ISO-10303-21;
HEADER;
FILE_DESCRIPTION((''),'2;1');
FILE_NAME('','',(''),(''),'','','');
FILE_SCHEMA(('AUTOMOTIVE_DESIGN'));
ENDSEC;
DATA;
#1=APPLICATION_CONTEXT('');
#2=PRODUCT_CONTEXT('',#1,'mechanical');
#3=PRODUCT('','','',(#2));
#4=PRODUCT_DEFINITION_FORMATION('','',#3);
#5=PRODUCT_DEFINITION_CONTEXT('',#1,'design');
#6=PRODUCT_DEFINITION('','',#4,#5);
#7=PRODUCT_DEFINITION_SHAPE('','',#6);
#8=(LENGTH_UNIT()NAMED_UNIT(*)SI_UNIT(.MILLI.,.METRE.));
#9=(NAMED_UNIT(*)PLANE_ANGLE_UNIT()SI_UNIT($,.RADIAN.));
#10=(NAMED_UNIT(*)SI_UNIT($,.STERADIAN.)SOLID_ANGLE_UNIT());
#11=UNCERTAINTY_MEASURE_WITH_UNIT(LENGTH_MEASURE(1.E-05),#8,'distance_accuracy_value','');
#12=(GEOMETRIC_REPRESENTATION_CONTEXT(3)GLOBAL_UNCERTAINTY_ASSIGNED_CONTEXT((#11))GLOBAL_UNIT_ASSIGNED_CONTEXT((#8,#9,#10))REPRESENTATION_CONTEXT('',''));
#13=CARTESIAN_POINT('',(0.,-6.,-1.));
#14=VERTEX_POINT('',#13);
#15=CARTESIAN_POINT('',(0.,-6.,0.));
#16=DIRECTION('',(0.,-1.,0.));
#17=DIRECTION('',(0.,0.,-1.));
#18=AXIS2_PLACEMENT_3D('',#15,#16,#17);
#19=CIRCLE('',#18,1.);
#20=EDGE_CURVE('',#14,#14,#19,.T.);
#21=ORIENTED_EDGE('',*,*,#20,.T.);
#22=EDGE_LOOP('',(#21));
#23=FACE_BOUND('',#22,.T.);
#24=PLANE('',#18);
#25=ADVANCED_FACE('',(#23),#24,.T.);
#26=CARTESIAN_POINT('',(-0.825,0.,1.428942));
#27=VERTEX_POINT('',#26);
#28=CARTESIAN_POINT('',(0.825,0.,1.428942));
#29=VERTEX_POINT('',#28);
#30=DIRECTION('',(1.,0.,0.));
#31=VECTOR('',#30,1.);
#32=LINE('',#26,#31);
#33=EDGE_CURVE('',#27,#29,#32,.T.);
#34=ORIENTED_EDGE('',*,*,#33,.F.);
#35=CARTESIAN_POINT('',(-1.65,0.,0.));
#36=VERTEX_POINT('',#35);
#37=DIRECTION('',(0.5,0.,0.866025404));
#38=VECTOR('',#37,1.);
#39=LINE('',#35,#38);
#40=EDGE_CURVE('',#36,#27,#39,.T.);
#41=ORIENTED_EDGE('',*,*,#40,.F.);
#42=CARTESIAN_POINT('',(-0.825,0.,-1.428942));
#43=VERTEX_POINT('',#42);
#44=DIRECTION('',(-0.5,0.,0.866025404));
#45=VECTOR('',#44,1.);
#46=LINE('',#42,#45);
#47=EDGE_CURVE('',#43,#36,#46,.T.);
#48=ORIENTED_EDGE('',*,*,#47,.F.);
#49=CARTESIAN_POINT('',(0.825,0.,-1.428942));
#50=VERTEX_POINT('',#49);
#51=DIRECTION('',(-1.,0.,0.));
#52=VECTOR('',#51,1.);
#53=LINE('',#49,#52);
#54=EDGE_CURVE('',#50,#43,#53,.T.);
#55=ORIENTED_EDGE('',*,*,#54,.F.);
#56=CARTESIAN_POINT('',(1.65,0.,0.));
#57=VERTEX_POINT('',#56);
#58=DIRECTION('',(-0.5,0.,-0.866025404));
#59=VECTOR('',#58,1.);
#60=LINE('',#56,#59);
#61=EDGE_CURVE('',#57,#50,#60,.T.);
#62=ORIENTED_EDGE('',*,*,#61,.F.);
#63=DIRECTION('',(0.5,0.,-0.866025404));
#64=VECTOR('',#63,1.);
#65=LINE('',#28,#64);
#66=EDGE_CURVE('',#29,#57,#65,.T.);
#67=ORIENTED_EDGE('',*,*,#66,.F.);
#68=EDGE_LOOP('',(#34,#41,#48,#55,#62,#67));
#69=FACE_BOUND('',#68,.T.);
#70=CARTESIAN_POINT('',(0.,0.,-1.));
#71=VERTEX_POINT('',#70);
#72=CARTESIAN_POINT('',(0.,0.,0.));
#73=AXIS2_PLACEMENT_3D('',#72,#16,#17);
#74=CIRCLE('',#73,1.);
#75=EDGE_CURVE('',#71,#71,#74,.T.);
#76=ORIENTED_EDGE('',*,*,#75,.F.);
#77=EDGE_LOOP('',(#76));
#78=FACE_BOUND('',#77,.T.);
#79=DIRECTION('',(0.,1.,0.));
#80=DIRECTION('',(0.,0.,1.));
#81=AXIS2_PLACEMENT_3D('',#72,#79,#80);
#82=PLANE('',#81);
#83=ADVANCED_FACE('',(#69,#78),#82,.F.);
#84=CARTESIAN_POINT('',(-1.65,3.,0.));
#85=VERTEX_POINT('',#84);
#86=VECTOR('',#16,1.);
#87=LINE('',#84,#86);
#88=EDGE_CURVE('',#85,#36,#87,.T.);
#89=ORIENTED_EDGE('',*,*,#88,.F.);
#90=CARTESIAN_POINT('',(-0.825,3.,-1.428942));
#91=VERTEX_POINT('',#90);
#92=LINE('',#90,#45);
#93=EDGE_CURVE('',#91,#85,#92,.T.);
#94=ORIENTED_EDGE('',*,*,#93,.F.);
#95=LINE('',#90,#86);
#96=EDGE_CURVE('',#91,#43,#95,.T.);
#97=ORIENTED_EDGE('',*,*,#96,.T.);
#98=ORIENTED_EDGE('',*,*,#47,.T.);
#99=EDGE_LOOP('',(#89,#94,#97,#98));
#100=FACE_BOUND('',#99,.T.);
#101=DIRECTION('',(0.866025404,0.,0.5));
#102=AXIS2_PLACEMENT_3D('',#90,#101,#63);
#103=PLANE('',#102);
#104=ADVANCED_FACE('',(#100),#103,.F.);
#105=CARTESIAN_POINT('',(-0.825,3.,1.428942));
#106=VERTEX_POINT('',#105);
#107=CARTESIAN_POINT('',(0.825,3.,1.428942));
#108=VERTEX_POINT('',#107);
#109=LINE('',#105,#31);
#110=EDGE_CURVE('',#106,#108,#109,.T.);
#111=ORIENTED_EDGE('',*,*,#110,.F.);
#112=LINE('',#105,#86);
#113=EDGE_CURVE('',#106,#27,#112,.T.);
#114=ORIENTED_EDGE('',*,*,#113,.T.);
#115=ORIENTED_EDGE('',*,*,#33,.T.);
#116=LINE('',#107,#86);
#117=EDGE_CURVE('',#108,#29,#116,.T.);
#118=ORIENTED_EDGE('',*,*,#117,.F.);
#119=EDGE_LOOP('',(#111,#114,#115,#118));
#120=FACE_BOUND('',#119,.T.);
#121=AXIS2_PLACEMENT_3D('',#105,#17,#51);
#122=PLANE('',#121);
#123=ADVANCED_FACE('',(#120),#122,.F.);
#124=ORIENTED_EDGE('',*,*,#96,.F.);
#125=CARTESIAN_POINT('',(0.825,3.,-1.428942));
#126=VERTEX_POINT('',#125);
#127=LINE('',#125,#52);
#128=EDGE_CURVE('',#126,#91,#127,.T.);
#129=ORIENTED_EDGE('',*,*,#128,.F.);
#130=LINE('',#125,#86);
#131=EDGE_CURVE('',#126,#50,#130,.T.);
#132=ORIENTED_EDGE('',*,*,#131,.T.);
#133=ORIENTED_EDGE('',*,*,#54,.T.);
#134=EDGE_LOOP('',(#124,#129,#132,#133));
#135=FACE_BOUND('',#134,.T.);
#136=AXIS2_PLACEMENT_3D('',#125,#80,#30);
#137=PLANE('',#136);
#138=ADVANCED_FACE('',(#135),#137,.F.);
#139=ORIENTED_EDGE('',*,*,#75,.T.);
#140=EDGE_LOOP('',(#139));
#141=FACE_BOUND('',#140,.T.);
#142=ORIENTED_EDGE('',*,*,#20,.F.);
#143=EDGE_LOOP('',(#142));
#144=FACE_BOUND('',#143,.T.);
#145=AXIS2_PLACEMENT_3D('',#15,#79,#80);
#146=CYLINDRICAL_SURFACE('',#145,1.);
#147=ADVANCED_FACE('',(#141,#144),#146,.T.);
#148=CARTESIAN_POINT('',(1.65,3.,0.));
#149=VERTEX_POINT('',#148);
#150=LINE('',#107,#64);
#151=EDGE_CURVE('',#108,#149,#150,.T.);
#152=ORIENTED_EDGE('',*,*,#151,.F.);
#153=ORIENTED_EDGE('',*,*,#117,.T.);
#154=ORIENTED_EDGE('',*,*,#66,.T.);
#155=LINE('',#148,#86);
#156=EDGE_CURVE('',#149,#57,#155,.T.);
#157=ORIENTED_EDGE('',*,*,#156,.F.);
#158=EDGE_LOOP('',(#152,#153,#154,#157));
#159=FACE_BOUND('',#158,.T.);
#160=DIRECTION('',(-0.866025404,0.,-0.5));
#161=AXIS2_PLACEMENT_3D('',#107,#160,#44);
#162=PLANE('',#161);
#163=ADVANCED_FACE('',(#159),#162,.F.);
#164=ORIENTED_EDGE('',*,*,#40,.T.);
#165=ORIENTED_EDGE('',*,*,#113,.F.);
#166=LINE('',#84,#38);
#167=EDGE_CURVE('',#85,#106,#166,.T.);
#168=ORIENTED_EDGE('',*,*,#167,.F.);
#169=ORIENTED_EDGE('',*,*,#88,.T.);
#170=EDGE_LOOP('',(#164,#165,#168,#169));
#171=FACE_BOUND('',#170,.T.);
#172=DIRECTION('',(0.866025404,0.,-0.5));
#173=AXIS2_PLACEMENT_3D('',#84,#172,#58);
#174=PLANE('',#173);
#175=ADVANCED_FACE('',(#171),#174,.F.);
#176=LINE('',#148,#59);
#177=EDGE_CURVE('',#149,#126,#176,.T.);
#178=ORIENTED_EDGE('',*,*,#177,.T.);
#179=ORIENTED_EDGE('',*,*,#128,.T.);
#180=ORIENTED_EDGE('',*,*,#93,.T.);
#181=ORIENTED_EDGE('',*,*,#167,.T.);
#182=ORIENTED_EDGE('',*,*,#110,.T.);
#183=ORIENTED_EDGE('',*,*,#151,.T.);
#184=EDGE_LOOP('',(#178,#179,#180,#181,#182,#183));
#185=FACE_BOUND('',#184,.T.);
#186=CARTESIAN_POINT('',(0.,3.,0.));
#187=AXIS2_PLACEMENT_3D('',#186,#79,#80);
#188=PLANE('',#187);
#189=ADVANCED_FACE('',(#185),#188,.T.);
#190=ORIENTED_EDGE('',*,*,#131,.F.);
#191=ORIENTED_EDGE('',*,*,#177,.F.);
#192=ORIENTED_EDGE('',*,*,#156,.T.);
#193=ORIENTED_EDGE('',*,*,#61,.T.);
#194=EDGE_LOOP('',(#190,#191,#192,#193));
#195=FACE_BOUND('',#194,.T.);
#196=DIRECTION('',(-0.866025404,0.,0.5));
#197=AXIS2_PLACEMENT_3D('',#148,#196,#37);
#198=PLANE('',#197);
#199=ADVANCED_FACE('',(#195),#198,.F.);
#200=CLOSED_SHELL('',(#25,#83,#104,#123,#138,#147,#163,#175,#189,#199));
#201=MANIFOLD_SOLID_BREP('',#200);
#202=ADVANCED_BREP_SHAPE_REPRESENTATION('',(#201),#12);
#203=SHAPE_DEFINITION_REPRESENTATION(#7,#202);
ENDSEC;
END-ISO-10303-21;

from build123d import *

# Parameters (mm, degrees)
BOSS_EXTRUDE1_DEPTH = 3
SKETCH2_R           = 1
BOSS_EXTRUDE2_DEPTH = 6


with BuildPart() as part:
    # Sketch1 → Boss-Extrude1 (new body)
    with BuildSketch(Plane(origin=(0, 0, 0), x_dir=(1, 0, 0), z_dir=(0, 1, 0))):
        Polygon((1.65, 0), (0.825, 1.428941916), (-0.825, 1.428941916), (-1.65, 0), (-0.825, -1.428941916), (0.825, -1.428941916), align=None)
    extrude(amount=BOSS_EXTRUDE1_DEPTH)

    # Sketch2 → Boss-Extrude2 (add)
    with BuildSketch(Plane.XZ):
        Circle(SKETCH2_R)
    extrude(amount=BOSS_EXTRUDE2_DEPTH)


solid = part.part
